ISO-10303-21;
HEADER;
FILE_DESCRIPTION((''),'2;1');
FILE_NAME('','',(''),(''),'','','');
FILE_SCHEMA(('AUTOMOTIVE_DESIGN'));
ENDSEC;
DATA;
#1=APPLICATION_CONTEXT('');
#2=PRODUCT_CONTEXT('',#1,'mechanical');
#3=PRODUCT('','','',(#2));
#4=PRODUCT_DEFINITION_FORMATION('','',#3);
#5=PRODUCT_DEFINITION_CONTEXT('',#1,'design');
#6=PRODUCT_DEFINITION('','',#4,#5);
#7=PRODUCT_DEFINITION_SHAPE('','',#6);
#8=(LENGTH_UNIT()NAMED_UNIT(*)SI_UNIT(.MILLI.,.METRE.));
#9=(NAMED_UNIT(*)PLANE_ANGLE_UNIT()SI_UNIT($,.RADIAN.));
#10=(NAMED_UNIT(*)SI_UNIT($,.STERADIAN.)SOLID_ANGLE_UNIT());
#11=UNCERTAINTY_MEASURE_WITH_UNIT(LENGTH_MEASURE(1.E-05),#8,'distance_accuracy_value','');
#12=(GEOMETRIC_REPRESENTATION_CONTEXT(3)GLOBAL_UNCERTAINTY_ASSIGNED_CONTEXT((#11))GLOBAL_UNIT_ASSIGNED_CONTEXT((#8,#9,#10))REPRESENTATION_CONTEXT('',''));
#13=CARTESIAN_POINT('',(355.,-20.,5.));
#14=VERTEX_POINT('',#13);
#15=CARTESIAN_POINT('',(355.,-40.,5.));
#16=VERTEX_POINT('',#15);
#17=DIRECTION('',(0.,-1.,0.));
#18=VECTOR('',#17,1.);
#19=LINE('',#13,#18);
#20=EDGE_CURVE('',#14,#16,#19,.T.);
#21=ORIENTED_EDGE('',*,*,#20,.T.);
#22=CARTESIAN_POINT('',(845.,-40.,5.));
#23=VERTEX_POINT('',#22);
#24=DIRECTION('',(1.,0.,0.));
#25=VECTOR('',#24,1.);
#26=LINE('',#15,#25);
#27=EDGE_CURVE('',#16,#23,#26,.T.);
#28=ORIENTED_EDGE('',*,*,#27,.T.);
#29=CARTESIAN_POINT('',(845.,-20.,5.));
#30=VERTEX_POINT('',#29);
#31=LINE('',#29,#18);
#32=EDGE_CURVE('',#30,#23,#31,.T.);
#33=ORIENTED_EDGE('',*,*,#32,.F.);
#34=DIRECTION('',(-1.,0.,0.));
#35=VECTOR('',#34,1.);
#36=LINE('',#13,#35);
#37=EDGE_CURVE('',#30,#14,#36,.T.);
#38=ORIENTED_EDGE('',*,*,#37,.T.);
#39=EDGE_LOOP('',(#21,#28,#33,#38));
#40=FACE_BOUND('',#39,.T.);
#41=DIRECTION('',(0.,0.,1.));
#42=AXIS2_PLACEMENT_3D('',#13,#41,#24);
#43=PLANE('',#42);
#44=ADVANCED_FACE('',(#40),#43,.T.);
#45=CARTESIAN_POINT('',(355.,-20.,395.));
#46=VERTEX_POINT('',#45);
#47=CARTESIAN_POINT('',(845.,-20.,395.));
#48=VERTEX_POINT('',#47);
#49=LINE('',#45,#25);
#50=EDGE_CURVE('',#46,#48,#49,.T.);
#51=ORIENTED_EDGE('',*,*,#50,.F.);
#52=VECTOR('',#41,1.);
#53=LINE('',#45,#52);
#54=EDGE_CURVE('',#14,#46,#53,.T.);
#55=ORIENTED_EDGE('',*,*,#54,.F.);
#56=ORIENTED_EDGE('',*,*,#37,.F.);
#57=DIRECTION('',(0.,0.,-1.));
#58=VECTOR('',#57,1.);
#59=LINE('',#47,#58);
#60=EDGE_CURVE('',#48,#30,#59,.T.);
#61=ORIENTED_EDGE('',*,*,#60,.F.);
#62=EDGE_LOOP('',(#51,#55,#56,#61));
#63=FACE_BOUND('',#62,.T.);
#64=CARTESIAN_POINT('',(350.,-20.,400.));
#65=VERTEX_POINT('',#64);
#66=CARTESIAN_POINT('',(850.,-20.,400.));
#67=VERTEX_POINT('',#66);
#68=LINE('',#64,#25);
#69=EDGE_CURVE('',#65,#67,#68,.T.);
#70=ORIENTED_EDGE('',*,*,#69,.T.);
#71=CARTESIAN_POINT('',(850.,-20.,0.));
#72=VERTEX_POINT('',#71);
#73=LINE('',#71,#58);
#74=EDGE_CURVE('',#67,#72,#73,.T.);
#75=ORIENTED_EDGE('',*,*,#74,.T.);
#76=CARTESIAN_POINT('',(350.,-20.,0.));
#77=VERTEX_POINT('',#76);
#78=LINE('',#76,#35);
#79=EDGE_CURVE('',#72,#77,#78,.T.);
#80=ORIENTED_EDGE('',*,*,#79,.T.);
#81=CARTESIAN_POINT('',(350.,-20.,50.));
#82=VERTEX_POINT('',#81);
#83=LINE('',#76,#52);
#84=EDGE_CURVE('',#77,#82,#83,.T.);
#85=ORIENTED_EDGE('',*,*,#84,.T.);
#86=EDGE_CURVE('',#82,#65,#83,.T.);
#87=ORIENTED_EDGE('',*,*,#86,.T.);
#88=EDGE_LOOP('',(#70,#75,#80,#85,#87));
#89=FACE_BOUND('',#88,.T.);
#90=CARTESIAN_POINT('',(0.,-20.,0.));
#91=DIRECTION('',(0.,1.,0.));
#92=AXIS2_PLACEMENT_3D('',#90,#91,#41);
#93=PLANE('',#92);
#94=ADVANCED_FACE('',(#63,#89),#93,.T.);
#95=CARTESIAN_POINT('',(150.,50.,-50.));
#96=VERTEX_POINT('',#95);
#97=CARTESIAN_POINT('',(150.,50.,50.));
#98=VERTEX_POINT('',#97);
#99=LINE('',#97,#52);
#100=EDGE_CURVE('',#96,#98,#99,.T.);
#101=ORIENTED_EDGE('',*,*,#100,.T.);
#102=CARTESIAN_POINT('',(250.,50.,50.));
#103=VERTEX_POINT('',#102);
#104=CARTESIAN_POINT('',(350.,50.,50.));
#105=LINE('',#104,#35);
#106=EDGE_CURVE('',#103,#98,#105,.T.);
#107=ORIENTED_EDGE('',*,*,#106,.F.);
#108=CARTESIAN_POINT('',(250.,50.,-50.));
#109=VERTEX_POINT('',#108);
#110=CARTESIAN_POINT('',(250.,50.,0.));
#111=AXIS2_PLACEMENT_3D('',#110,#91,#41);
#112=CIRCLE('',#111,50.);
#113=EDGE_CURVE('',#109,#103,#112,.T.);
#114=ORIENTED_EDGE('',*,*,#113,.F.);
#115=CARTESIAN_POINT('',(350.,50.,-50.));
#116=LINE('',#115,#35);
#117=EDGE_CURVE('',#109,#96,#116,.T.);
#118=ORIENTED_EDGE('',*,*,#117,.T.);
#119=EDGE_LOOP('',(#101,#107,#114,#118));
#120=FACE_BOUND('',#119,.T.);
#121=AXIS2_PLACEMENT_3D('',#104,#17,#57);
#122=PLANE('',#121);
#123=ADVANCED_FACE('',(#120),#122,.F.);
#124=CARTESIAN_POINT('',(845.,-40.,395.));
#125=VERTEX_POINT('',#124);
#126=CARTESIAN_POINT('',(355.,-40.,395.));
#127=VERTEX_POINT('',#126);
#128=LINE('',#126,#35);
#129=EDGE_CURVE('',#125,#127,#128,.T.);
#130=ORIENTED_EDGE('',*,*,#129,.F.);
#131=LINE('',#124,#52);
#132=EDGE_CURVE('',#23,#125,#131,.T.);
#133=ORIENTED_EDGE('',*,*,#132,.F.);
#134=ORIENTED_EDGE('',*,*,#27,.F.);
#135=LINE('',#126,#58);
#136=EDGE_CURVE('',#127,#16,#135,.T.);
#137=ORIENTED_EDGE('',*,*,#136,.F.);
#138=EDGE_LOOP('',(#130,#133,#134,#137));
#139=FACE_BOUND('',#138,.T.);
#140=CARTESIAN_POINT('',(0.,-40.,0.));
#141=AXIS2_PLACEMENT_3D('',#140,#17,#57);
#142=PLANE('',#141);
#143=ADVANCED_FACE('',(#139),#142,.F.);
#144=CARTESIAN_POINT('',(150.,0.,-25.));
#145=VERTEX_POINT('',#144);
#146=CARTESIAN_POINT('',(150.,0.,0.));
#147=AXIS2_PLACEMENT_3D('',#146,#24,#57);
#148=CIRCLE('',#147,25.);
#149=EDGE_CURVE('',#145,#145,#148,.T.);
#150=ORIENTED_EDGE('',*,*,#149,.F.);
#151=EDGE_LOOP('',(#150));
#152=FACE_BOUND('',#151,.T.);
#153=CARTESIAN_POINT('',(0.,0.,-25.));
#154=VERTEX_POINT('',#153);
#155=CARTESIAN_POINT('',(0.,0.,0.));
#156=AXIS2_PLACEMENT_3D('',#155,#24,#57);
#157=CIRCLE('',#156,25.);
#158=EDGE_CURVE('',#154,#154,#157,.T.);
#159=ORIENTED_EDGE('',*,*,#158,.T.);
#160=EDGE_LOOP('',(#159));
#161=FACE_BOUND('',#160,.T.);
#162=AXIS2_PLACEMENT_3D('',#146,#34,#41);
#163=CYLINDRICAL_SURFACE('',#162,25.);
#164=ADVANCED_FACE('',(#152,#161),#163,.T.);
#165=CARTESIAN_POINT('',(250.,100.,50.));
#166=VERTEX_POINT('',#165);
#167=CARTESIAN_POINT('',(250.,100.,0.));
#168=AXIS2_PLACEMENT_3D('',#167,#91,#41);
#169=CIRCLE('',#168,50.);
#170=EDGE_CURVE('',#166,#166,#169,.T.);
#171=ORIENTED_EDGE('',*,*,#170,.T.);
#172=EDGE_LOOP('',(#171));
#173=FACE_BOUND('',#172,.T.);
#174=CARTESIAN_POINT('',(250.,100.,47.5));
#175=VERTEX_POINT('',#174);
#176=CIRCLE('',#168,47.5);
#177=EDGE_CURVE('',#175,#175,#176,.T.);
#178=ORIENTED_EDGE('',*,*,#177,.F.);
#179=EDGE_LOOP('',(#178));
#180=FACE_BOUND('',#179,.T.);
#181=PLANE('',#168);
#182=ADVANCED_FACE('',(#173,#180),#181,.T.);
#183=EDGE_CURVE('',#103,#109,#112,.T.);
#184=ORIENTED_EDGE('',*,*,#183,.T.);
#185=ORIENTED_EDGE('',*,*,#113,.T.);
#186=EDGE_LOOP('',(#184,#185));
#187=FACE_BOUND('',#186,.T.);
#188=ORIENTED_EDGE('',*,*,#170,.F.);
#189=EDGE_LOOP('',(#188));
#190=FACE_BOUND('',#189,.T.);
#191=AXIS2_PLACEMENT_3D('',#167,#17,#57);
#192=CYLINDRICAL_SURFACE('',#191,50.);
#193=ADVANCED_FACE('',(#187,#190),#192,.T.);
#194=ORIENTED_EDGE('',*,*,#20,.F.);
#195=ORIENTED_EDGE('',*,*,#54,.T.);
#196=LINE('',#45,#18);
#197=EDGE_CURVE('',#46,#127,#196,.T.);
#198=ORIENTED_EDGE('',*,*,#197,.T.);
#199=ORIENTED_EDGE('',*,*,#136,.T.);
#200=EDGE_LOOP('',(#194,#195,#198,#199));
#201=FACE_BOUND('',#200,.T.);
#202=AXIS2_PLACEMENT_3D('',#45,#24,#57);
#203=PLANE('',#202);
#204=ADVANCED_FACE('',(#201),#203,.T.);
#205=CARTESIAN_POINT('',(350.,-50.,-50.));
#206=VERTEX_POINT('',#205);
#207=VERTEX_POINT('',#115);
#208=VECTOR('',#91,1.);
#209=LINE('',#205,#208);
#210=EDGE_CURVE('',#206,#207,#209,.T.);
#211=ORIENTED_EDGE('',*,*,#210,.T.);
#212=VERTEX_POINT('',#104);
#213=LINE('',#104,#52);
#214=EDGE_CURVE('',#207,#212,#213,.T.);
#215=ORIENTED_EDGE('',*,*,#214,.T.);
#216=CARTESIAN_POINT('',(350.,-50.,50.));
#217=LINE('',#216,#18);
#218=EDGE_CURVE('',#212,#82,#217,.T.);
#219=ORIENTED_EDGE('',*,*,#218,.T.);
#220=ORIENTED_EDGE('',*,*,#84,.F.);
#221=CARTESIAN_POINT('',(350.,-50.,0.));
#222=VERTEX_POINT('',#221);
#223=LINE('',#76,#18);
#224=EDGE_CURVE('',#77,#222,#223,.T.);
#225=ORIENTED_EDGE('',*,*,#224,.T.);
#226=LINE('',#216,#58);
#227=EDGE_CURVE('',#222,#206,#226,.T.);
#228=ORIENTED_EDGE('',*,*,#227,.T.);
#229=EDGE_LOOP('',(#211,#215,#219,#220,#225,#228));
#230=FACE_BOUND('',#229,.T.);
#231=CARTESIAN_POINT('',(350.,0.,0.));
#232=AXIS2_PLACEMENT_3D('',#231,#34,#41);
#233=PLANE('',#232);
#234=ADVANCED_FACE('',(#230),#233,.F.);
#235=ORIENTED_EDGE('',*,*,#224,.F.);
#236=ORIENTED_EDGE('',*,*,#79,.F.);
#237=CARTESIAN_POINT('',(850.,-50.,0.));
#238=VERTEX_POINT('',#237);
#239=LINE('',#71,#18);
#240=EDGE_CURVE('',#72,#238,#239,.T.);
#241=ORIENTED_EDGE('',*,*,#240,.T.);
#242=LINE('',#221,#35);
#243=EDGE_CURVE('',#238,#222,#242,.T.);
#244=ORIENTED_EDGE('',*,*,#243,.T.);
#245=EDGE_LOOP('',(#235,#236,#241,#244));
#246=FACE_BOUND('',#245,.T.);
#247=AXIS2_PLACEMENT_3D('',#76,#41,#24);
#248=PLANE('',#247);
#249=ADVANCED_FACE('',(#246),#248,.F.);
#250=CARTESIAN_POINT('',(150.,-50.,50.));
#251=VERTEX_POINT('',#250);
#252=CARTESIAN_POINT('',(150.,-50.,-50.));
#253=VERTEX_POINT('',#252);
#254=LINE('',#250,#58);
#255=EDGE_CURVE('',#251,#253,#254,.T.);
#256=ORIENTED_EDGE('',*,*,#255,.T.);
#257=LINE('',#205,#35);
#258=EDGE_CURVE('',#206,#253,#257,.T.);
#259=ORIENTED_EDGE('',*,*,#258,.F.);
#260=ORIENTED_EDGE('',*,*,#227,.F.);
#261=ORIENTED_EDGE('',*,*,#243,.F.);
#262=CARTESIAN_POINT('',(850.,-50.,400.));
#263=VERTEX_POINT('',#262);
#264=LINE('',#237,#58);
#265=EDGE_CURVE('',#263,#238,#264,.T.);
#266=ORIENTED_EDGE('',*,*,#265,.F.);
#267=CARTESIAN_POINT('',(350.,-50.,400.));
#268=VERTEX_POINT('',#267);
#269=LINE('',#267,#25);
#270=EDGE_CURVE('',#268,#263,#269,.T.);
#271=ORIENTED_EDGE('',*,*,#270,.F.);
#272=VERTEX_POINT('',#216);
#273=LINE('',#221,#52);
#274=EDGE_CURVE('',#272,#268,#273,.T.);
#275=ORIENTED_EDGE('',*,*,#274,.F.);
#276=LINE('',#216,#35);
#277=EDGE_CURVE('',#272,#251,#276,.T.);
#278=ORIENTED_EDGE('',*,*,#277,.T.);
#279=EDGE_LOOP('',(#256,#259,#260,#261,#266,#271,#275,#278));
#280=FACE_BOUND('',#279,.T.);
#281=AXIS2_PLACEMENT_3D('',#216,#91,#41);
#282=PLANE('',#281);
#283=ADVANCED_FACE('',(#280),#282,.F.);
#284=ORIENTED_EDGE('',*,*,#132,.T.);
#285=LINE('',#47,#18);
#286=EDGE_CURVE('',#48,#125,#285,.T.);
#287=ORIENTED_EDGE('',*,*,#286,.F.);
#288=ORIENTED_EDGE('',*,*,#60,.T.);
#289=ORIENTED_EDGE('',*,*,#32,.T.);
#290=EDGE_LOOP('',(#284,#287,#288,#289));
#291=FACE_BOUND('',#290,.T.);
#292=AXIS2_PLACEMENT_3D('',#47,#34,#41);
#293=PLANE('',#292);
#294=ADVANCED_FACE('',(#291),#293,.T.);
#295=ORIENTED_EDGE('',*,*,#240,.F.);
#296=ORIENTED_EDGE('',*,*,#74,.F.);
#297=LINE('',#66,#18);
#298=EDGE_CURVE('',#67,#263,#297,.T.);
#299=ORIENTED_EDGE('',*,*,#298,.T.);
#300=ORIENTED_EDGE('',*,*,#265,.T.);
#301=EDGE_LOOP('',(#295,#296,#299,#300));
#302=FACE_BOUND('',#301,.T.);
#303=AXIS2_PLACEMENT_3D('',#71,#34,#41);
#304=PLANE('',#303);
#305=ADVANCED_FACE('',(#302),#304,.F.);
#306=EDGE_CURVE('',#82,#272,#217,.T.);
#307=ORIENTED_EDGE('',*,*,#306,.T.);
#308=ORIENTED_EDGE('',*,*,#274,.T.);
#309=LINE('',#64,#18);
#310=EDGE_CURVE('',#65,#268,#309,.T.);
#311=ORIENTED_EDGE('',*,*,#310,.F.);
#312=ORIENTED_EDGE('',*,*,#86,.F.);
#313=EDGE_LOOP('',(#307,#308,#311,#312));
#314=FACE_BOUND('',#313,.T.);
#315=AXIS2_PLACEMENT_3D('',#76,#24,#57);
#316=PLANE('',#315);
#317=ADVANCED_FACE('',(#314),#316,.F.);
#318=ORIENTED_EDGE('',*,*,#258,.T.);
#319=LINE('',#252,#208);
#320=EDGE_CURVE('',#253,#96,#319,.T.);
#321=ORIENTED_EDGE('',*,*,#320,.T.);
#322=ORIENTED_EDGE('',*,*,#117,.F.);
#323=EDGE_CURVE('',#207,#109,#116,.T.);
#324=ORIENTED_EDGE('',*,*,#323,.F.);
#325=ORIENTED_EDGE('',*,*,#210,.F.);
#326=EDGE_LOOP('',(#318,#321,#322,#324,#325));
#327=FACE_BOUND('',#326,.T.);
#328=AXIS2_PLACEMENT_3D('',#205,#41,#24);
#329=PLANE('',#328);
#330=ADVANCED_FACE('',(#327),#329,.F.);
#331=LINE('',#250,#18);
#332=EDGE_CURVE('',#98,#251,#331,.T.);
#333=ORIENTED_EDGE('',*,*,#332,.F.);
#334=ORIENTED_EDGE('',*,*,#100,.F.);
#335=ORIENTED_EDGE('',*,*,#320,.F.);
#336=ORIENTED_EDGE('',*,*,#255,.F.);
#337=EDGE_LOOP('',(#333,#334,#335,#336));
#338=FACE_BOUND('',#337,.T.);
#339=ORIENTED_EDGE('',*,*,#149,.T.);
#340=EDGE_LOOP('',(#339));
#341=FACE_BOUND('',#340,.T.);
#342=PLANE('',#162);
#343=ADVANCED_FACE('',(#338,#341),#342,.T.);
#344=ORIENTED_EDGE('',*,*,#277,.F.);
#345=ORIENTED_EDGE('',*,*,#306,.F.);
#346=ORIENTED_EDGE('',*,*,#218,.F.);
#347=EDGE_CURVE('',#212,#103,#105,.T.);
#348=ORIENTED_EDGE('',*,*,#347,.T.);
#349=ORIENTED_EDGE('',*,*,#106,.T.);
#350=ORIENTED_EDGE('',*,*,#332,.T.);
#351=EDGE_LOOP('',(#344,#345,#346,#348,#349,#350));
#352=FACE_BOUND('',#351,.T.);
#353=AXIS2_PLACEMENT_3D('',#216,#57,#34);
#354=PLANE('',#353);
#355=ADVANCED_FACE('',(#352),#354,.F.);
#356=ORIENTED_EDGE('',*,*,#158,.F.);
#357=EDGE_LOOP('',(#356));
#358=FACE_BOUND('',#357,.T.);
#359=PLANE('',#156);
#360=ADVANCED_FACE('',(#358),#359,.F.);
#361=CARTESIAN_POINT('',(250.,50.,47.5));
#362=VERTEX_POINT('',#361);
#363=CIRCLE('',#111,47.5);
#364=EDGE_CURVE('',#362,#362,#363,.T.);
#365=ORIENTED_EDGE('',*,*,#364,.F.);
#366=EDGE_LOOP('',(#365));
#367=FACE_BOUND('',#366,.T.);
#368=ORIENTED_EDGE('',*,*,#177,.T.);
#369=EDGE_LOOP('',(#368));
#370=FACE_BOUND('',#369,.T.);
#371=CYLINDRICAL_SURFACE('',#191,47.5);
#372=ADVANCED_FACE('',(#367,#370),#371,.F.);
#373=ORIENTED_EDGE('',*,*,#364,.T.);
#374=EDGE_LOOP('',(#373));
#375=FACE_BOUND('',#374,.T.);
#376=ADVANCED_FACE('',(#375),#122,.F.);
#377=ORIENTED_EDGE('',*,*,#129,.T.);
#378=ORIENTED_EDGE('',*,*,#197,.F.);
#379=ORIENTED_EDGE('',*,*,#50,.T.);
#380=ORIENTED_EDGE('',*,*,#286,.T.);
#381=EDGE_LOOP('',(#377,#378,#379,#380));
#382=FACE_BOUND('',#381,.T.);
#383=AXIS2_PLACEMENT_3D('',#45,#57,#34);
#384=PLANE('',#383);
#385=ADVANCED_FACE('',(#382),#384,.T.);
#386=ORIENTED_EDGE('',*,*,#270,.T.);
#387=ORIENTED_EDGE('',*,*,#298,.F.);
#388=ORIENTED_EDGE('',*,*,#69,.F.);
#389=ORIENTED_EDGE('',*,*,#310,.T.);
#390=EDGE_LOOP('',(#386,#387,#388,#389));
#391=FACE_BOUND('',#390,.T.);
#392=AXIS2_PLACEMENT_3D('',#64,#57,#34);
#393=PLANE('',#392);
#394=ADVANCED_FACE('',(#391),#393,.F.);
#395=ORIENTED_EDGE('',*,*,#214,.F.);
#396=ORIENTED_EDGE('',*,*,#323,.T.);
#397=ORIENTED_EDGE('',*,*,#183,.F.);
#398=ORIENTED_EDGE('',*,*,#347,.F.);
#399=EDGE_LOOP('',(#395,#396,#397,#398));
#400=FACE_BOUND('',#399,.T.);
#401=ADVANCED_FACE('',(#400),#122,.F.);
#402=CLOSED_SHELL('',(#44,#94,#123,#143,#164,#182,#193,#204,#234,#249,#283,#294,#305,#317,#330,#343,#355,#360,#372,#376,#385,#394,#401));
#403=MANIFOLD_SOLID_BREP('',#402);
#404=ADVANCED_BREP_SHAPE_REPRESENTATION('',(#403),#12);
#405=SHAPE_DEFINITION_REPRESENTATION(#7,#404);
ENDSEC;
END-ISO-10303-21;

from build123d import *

# Parameters (mm, degrees)
SKETCH1_R           = 25
BOSS_EXTRUDE1_DEPTH = 150
SKETCH2_W           = 100
SKETCH2_H           = 100
BOSS_EXTRUDE2_DEPTH = 200
SKETCH3_R           = 50
SKETCH3_R_2         = 47.5
BOSS_EXTRUDE3_DEPTH = 50
SKETCH4_W           = 500
SKETCH4_H           = 400
SKETCH4_W_2         = 490
SKETCH4_H_2         = 390
BOSS_EXTRUDE4_DEPTH = 30
SKETCH5_W           = 490
SKETCH5_H           = 390
BOSS_EXTRUDE5_DEPTH = 10


with BuildPart() as part:
    # Sketch1 → Boss-Extrude1 (new body)
    with BuildSketch(Plane(origin=(0, 0, 0), x_dir=(0, 0, -1), z_dir=(1, 0, 0))):
        Circle(SKETCH1_R)
    extrude(amount=BOSS_EXTRUDE1_DEPTH)

    # Sketch2 → Boss-Extrude2 (add)
    with BuildSketch(Plane(origin=(150, 0, 0), x_dir=(0, 0, -1), z_dir=(1, 0, 0))):
        Rectangle(SKETCH2_W, SKETCH2_H)
    extrude(amount=BOSS_EXTRUDE2_DEPTH)

    # Sketch3 → Boss-Extrude3 (add)
    with BuildSketch(Plane(origin=(0, 50, 0), x_dir=(1, 0, 0), z_dir=(0, 1, 0))):
        with Locations((250, 0)):
            Circle(SKETCH3_R)
        with Locations((250, 0)):
            Circle(SKETCH3_R_2, mode=Mode.SUBTRACT)
    extrude(amount=BOSS_EXTRUDE3_DEPTH)

    # Sketch4 → Boss-Extrude4 (add)
    with BuildSketch(Plane(origin=(0, -50, 0), x_dir=(1, 0, 0), z_dir=(0, 1, 0))):
        with Locations((600, -200)):
            Rectangle(SKETCH4_W, SKETCH4_H)
        with Locations((600, -200)):
            Rectangle(SKETCH4_W_2, SKETCH4_H_2, mode=Mode.SUBTRACT)
    extrude(amount=BOSS_EXTRUDE4_DEPTH)

    # Sketch5 → Boss-Extrude5 (add)
    with BuildSketch(Plane.XZ.offset(50)):
        with Locations((600, 200)):
            Rectangle(SKETCH5_W, SKETCH5_H)
    extrude(amount=-BOSS_EXTRUDE5_DEPTH)


solid = part.part
